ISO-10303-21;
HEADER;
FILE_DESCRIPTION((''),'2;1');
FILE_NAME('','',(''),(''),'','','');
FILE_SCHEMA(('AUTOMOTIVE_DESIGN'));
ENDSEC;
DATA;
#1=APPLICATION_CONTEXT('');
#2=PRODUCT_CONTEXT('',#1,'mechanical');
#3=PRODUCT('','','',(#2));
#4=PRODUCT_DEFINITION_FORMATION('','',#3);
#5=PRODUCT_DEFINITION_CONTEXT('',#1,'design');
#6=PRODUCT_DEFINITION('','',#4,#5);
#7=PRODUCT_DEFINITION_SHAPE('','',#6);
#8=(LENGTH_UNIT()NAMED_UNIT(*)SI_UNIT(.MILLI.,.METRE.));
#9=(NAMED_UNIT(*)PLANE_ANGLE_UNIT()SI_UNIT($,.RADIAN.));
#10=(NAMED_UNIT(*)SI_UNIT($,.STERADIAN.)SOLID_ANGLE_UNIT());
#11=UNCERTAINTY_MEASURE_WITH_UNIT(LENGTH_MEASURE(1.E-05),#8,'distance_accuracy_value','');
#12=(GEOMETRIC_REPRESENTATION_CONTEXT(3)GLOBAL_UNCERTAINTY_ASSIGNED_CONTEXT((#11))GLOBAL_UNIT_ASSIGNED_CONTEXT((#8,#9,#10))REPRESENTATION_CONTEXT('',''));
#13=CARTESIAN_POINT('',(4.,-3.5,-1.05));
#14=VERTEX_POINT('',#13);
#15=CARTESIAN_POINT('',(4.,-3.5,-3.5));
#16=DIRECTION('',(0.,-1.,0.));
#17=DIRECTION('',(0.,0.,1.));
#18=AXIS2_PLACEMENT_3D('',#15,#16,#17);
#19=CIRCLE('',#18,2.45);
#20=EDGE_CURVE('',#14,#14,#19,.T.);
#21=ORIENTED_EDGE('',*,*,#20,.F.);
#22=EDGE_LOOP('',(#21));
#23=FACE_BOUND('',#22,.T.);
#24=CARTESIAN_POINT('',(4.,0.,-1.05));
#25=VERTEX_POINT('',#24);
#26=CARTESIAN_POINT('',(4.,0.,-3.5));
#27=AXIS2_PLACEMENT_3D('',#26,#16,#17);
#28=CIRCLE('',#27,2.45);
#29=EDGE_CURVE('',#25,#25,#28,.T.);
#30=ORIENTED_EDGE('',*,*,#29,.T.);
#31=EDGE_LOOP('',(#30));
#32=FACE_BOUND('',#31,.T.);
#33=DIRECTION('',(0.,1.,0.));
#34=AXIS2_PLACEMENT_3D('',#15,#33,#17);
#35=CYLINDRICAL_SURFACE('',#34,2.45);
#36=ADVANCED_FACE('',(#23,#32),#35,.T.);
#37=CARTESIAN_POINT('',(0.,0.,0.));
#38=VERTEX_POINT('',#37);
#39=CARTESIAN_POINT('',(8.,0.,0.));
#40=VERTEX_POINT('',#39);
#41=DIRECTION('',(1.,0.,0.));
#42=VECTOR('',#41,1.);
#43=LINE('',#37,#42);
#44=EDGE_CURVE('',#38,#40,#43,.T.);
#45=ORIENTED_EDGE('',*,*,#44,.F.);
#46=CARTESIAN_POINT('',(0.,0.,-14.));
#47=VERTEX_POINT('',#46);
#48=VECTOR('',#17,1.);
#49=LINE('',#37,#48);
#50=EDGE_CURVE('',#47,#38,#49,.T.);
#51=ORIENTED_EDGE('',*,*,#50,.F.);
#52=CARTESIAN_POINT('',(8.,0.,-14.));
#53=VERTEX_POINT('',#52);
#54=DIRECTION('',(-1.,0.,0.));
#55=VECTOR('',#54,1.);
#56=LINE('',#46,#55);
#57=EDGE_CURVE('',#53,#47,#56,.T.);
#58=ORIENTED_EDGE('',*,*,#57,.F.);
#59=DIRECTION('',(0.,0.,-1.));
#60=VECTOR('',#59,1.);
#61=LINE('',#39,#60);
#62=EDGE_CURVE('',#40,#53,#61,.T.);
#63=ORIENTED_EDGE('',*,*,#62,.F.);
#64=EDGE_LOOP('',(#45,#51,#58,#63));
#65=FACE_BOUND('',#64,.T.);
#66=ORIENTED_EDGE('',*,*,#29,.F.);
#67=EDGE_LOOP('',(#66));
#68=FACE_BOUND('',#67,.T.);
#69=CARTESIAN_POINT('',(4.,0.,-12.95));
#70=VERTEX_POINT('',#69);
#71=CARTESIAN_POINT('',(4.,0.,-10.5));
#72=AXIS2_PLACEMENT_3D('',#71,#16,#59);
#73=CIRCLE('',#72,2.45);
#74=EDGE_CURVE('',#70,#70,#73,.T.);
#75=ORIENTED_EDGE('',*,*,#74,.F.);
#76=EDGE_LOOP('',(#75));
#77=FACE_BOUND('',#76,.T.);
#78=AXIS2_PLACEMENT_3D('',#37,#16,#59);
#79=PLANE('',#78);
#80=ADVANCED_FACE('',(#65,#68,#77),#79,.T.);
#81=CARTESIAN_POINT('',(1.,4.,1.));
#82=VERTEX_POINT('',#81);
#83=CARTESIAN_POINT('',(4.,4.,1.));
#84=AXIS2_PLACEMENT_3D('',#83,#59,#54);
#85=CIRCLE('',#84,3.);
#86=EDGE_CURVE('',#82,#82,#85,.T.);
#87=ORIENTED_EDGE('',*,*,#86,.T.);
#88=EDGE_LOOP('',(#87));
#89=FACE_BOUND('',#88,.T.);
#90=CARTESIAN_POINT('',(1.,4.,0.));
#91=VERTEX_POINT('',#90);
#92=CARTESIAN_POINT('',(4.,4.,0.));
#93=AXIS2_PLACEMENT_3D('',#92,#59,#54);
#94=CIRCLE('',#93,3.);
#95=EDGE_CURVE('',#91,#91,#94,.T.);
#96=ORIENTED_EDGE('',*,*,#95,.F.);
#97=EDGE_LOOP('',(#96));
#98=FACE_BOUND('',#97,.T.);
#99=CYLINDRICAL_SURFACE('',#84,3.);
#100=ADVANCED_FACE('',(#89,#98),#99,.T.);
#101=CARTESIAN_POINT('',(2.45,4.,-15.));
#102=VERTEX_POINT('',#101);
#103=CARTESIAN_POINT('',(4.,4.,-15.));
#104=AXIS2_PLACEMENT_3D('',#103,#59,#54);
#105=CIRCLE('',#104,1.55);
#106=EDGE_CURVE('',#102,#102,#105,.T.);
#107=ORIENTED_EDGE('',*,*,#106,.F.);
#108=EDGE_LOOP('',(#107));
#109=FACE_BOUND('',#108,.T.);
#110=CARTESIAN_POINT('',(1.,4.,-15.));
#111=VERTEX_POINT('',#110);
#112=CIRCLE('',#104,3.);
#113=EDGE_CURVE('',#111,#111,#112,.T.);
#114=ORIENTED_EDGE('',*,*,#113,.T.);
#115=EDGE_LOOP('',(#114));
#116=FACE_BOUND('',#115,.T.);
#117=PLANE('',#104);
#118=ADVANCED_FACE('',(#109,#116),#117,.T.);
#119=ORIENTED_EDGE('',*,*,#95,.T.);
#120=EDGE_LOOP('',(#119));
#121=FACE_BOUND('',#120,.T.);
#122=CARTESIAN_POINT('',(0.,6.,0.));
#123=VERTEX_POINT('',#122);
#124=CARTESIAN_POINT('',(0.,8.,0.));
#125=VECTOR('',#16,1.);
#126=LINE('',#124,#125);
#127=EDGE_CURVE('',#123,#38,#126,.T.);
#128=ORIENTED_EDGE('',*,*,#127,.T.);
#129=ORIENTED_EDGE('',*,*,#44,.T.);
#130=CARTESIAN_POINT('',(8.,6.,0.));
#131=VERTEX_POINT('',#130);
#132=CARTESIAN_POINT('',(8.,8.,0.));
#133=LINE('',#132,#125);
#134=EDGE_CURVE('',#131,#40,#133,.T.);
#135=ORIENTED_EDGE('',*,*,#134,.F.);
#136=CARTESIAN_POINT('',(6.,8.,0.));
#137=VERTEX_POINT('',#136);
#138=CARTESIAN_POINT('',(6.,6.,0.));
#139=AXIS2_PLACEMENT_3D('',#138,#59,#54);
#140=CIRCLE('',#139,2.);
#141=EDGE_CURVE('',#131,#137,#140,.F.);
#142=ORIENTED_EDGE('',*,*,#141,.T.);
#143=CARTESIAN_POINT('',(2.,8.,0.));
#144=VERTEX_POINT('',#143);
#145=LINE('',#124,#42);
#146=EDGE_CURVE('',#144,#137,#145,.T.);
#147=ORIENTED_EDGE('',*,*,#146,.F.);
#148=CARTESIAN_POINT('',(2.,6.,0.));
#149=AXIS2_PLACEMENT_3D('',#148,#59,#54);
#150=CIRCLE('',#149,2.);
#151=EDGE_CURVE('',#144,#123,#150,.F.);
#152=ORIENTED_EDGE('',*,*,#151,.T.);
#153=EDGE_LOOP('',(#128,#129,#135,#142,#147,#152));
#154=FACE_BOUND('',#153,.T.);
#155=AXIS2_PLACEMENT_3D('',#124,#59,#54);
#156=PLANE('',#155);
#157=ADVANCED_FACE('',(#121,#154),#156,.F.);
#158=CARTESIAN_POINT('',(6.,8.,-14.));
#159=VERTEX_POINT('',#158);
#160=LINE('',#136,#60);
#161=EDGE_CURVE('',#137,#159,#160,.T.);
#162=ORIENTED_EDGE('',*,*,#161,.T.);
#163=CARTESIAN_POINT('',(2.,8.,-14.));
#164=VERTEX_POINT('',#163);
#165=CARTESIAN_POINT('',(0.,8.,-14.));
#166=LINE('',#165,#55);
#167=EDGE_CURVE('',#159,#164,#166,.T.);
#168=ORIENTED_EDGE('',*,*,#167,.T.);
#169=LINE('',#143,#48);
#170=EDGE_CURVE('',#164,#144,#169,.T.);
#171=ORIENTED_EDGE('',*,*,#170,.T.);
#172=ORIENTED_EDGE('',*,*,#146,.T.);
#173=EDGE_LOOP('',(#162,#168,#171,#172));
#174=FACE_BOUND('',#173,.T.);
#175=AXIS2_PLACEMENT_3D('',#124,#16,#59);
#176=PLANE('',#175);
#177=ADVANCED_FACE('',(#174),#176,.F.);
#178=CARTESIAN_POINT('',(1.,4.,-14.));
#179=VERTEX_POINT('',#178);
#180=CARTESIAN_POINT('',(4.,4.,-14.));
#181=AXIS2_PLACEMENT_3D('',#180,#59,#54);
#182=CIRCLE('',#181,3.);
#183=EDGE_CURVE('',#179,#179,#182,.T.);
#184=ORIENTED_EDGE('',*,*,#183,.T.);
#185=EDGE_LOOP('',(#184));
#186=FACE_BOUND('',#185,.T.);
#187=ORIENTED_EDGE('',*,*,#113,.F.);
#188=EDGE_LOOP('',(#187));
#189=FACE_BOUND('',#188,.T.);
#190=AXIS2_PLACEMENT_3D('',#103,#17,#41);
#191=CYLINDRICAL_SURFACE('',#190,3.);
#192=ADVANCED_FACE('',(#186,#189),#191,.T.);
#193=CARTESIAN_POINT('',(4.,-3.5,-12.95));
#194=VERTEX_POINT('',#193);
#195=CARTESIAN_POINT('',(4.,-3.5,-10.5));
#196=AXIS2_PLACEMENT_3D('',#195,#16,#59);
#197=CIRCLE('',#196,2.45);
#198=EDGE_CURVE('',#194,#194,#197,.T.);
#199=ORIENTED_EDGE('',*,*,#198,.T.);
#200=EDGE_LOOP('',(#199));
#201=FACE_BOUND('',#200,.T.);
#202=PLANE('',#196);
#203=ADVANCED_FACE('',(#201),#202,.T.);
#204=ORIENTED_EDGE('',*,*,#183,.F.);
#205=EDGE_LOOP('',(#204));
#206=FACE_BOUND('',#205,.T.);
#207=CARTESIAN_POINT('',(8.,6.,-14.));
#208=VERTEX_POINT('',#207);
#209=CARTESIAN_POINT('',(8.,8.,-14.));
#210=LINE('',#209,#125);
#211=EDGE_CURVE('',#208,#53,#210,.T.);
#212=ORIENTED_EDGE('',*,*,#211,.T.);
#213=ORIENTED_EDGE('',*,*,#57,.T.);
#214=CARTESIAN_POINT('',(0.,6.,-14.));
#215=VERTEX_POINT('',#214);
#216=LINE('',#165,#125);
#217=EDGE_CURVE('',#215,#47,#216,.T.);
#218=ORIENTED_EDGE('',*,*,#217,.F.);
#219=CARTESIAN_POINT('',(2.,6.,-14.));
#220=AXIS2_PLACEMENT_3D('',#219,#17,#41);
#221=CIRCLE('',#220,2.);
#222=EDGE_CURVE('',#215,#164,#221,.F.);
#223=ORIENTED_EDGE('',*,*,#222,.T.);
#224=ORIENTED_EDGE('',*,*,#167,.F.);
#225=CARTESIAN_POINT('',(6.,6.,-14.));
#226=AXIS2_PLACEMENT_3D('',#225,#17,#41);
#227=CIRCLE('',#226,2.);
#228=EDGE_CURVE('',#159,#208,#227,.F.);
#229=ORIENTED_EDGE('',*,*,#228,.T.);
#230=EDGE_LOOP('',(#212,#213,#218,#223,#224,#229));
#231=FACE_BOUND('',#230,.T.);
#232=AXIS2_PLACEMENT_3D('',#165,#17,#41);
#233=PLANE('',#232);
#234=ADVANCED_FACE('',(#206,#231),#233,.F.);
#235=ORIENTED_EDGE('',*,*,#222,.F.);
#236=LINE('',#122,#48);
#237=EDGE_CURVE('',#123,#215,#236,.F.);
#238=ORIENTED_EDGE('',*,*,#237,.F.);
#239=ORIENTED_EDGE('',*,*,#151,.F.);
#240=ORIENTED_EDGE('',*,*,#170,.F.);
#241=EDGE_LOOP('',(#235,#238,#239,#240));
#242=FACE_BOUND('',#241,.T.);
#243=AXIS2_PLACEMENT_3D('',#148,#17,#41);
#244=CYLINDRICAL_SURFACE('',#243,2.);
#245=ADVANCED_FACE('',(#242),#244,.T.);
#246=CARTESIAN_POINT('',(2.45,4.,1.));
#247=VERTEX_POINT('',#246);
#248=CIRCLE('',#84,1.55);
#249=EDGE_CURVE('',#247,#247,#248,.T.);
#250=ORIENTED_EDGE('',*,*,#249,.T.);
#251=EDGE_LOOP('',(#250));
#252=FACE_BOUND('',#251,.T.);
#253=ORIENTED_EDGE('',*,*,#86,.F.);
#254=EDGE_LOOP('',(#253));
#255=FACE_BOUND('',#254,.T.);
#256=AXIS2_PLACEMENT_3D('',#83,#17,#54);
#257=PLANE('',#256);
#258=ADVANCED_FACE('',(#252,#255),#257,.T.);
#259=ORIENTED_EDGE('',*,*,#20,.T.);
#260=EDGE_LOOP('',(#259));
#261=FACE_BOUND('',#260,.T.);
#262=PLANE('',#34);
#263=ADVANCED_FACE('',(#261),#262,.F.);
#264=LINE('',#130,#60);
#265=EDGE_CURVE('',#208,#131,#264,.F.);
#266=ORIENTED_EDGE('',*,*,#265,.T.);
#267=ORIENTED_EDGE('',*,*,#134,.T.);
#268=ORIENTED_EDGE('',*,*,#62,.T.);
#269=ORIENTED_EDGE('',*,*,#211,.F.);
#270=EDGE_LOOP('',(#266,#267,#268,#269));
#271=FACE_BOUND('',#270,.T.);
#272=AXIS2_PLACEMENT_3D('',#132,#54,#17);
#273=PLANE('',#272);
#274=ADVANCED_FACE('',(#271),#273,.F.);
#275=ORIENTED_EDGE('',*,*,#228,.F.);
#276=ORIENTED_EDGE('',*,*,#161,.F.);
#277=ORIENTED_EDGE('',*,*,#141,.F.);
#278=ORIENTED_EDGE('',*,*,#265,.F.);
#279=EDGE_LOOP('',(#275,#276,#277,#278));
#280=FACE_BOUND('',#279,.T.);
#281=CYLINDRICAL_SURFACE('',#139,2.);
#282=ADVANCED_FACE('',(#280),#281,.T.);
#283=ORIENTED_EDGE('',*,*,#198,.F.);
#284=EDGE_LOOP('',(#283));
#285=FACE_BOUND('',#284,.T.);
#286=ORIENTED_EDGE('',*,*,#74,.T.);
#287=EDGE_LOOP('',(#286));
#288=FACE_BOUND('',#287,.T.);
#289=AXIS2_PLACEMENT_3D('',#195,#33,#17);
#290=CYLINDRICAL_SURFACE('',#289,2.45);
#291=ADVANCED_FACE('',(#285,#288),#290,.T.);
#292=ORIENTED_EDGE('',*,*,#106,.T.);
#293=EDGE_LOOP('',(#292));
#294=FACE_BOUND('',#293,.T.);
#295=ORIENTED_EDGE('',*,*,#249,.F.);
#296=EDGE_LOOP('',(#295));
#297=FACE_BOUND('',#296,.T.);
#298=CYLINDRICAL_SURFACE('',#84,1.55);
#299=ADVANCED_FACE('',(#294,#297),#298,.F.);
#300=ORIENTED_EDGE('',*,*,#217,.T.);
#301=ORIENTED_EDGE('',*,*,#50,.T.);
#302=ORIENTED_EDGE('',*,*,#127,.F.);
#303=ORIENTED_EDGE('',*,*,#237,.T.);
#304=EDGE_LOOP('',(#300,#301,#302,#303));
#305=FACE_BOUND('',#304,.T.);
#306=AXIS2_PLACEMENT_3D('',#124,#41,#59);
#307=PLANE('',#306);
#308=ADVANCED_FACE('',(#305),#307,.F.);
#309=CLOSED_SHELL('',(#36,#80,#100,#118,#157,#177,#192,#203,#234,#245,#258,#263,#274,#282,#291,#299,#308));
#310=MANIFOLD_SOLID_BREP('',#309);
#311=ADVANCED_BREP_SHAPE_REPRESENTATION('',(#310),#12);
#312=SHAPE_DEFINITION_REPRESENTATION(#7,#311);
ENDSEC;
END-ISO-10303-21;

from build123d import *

# Parameters (mm, degrees)
SKETCH1_W           = 8
SKETCH1_H           = 14
BOSS_EXTRUDE1_DEPTH = 8
SKETCH2_R           = 2.45
BOSS_EXTRUDE2_DEPTH = 3.5
FILLET1_R           = 2
SKETCH5_R           = 3
BOSS_EXTRUDE3_DEPTH = 1
SKETCH6_R           = 1.55
CUT_EXTRUDE1_DEPTH  = 20.595917942


with BuildPart() as part:
    # Sketch1 → Boss-Extrude1 (new body)
    with BuildSketch(Plane(origin=(0, 0, 0), x_dir=(1, 0, 0), z_dir=(0, 1, 0))):
        with Locations((4, 7)):
            Rectangle(SKETCH1_W, SKETCH1_H)
    extrude(amount=BOSS_EXTRUDE1_DEPTH)

    # Sketch2 → Boss-Extrude2 (add)
    with BuildSketch(Plane.XZ):
        with Locations(Location((4, -10.5, 0), (0, 0, 270))):
            Circle(SKETCH2_R)
        with Locations(Location((4, -3.5, 0), (0, 0, 90))):
            Circle(SKETCH2_R)
    extrude(amount=BOSS_EXTRUDE2_DEPTH)

    # Fillet1
    fillet1_edges = [part.edges().sort_by_distance(p)[0] for p in [
        (8, 8, -7),
        (0, 8, -7),
    ]]
    fillet(fillet1_edges, radius=FILLET1_R)

    # Sketch5 → Boss-Extrude3 (add)
    with BuildSketch(Plane(origin=(0, 0, -14), x_dir=(-1, 0, 0), z_dir=(0, 0, -1))):
        with Locations((-4, 4)):
            Circle(SKETCH5_R)
    boss_extrude3 = extrude(amount=BOSS_EXTRUDE3_DEPTH)

    # Mirror1: Boss-Extrude3 across plane
    add(boss_extrude3.mirror(Plane(origin=(0, 0, -7), x_dir=(1, 0, 0), z_dir=(0, 0, -1))))

    # Sketch6 → Cut-Extrude1 (cut, through all)
    with BuildSketch(Plane(origin=(0, 0, -15), x_dir=(-1, 0, 0), z_dir=(0, 0, -1))):
        with Locations((-4, 4)):
            Circle(SKETCH6_R)
    extrude(amount=-CUT_EXTRUDE1_DEPTH, mode=Mode.SUBTRACT)


solid = part.part
